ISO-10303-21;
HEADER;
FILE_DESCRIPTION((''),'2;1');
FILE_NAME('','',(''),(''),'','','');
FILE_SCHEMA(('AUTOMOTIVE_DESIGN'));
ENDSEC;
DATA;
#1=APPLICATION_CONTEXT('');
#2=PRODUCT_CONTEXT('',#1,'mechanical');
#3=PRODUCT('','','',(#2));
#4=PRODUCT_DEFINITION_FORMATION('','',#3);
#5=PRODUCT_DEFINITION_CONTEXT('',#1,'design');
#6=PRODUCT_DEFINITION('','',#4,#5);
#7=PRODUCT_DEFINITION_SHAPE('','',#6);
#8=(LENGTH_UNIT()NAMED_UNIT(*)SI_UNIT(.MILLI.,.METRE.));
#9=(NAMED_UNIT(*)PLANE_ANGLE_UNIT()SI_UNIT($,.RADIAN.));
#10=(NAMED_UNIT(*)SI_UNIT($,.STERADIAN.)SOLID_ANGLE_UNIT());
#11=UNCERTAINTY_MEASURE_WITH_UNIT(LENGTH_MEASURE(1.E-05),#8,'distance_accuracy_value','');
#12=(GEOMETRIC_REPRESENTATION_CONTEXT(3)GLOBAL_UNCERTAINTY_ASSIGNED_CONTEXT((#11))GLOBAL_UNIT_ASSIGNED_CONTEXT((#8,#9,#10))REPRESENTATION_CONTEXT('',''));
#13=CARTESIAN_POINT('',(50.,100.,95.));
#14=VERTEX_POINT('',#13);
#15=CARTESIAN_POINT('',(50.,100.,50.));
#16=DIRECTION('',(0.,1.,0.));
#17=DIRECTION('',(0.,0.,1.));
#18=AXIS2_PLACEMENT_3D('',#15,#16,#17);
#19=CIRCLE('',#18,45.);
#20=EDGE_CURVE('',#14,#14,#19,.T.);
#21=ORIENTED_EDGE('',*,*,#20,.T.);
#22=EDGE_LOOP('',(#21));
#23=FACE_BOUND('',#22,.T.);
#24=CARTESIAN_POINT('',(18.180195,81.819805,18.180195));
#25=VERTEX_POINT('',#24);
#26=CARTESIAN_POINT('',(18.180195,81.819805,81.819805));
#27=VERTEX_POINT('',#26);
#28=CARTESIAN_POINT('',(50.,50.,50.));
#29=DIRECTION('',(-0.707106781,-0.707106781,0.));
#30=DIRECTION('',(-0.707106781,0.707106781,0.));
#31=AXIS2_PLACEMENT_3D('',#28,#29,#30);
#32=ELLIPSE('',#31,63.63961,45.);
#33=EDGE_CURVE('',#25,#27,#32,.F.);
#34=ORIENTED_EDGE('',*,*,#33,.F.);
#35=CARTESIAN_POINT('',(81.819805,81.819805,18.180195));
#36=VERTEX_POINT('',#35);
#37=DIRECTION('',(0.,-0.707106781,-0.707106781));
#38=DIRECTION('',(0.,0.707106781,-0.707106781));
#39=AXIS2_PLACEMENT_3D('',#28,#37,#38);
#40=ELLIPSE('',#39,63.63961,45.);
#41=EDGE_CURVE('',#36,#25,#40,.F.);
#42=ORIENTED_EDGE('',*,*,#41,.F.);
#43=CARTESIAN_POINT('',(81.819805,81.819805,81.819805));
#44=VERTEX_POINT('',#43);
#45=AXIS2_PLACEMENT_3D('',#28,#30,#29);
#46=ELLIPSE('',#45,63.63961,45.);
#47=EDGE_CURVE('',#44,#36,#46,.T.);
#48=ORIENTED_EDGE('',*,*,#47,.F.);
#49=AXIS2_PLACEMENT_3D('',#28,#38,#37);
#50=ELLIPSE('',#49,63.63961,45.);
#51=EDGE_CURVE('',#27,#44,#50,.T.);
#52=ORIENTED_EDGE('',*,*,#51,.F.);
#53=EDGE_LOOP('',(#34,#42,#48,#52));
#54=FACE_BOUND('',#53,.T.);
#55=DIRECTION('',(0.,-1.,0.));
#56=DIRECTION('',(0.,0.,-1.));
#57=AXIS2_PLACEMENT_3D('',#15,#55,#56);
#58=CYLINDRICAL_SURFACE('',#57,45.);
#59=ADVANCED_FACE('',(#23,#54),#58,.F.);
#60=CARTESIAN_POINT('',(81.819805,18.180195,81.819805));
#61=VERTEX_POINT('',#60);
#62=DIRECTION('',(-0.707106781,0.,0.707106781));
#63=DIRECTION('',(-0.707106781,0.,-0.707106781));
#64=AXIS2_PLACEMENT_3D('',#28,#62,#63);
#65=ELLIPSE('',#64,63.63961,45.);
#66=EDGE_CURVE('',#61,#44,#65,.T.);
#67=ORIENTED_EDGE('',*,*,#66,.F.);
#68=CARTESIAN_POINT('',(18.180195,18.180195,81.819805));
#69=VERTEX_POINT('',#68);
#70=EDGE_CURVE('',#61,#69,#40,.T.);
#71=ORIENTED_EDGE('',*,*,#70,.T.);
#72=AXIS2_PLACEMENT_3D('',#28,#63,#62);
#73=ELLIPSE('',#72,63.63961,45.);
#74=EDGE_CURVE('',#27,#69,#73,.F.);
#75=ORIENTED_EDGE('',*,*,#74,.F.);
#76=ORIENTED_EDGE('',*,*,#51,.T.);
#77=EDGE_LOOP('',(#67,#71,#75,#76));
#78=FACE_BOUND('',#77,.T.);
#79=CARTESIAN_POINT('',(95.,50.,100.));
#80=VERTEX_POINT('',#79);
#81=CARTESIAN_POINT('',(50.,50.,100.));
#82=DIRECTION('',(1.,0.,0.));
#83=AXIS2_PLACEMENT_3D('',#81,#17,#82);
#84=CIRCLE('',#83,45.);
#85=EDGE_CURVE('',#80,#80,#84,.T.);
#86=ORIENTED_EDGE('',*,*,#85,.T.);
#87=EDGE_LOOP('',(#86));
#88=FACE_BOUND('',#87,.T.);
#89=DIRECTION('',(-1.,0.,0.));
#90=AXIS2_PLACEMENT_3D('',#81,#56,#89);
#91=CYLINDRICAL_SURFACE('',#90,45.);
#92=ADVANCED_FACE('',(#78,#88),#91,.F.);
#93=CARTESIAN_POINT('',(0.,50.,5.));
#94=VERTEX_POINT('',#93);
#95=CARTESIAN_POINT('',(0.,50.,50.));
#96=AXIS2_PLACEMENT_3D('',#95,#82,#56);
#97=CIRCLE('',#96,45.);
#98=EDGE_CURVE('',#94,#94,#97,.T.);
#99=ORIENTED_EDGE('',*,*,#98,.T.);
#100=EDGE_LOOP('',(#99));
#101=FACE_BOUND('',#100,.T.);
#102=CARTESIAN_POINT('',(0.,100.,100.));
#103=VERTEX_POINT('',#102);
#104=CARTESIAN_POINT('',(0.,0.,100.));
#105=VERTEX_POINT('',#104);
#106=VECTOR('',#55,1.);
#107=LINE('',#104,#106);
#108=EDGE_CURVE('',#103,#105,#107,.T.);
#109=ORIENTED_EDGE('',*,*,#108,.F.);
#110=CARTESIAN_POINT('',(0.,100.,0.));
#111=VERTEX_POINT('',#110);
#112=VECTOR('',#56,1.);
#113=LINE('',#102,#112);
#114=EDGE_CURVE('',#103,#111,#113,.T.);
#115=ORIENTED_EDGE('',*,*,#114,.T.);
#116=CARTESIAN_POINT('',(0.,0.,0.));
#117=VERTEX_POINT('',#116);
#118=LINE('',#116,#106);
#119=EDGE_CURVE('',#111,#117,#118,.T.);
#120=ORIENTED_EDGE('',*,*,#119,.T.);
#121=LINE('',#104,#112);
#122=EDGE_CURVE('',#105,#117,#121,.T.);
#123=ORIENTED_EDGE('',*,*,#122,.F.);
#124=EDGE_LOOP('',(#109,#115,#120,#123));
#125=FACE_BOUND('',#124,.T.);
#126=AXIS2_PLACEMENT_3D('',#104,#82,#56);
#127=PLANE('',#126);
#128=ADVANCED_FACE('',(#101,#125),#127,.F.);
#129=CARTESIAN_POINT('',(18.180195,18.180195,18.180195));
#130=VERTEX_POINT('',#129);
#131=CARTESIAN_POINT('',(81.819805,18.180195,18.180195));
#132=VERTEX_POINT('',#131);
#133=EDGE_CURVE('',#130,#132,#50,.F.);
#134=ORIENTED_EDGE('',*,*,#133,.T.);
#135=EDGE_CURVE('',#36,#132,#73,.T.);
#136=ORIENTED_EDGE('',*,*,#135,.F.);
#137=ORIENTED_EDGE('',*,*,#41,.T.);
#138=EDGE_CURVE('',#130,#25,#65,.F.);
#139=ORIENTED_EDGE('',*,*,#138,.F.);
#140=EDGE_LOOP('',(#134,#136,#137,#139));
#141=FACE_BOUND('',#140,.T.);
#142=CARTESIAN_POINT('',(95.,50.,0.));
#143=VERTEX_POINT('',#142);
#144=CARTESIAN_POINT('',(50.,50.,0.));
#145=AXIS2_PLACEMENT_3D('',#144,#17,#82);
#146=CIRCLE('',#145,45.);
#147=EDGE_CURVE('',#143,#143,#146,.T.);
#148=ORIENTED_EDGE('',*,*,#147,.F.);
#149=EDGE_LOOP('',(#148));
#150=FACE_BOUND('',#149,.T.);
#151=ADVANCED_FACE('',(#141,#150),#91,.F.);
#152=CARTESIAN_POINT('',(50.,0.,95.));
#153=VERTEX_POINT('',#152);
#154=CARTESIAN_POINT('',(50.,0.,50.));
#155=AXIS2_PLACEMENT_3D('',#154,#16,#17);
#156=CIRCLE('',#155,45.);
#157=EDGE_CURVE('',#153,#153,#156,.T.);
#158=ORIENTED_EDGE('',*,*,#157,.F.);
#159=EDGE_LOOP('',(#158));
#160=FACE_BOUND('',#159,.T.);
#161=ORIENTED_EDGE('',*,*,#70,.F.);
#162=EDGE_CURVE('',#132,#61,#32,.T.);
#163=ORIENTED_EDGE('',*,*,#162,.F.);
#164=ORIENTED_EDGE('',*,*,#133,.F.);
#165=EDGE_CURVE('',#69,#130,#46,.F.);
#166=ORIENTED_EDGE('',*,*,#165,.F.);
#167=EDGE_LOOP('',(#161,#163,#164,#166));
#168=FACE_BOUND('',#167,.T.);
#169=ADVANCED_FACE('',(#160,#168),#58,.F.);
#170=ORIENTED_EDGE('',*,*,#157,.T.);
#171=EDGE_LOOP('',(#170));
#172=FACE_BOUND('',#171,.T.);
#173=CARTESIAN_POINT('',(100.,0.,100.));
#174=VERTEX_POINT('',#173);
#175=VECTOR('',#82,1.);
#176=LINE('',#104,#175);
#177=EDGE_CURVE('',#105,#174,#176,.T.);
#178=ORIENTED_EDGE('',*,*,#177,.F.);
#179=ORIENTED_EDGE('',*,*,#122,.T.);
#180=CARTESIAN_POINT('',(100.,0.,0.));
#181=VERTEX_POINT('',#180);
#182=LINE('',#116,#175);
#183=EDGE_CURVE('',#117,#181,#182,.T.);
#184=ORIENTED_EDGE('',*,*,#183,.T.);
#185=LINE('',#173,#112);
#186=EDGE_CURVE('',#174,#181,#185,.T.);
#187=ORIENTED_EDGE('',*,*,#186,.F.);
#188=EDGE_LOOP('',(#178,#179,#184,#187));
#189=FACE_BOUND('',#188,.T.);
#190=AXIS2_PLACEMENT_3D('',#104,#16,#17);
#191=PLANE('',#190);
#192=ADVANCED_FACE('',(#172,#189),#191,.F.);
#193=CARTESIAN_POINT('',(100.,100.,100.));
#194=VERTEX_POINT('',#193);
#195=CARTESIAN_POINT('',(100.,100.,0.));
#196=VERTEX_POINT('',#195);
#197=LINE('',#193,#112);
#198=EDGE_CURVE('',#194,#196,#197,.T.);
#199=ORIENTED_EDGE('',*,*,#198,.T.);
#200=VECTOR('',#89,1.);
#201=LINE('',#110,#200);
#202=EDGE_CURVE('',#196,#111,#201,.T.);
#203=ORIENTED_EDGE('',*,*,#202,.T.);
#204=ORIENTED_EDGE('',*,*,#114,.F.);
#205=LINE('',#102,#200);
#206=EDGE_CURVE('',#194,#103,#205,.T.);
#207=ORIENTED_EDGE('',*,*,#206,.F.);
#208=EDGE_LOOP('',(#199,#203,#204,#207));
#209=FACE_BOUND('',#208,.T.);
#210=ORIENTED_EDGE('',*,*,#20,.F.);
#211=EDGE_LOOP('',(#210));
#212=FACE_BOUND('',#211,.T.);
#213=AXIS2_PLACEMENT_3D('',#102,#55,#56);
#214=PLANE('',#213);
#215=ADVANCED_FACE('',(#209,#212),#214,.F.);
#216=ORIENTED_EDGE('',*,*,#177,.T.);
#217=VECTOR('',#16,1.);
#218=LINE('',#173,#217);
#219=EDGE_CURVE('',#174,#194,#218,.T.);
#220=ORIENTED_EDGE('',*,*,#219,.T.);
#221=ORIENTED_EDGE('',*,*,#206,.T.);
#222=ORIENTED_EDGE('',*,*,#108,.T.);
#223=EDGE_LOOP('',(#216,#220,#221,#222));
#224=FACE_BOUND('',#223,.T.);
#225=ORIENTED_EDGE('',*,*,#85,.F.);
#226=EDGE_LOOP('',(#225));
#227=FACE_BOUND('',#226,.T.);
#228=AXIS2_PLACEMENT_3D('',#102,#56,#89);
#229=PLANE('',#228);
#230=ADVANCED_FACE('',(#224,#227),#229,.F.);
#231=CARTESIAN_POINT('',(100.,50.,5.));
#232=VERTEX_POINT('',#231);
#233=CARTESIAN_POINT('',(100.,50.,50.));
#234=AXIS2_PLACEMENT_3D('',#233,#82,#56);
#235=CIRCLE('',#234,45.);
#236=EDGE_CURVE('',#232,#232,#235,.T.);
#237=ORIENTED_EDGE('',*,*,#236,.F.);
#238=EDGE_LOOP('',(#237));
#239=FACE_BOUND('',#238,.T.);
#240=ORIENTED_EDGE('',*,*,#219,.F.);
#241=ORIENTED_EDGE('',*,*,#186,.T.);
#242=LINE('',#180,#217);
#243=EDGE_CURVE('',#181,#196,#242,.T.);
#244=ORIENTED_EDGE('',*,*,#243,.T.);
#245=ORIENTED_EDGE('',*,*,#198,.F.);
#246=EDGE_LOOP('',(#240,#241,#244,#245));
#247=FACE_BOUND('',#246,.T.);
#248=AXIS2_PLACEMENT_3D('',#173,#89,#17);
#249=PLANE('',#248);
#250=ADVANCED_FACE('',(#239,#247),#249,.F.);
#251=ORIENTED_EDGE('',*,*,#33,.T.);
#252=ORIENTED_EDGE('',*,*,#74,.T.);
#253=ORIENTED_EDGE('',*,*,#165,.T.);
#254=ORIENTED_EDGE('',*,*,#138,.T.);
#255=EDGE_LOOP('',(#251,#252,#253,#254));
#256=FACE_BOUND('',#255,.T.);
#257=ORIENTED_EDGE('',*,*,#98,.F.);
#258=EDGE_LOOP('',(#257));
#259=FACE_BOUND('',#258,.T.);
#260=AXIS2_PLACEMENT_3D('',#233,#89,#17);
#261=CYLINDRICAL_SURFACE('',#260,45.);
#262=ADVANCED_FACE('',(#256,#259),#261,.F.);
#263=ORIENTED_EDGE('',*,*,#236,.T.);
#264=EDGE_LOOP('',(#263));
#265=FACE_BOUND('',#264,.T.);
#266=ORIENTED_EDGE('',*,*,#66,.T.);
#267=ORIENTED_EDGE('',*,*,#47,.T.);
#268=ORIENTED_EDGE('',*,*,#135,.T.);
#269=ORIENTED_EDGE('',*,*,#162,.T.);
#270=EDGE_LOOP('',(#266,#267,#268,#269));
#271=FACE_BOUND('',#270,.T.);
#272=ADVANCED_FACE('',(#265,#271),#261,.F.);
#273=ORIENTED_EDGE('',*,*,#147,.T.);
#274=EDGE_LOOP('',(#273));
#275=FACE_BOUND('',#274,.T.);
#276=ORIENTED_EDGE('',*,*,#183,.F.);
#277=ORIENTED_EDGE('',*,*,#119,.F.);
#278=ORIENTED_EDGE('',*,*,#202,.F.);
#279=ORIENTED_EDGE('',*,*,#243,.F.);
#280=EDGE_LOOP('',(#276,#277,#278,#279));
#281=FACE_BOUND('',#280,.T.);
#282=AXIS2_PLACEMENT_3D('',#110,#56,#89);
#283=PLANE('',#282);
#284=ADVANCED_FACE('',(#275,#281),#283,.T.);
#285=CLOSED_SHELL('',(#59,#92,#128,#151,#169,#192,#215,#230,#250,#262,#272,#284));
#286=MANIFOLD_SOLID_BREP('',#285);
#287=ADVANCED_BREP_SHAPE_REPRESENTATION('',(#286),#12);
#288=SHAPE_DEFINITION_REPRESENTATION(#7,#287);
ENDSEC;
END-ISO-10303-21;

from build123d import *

# Parameters (mm, degrees)
SKETCH1_W          = 100
SKETCH1_H          = 100
EXTRUDE1_DEPTH     = 100
SKETCH2_R          = 45
CUT_EXTRUDE1_DEPTH = 174.205080757
SKETCH4_R          = 45
CUT_EXTRUDE2_DEPTH = 174.205080757
SKETCH5_R          = 45
CUT_EXTRUDE3_DEPTH = 174.205080757


with BuildPart() as part:
    # Sketch1 → Extrude1 (new body)
    with BuildSketch(Plane.XY):
        with Locations((50, 50)):
            Rectangle(SKETCH1_W, SKETCH1_H)
    extrude(amount=EXTRUDE1_DEPTH)

    # Sketch2 → Cut-Extrude1 (cut, through all)
    with BuildSketch(Plane(origin=(0, 0, 0), x_dir=(0, 0, -1), z_dir=(1, 0, 0))):
        with Locations((-50, 50)):
            Circle(SKETCH2_R)
    extrude(amount=CUT_EXTRUDE1_DEPTH, mode=Mode.SUBTRACT)

    # Sketch4 → Cut-Extrude2 (cut, through all)
    with BuildSketch(Plane(origin=(100, 0, 0), x_dir=(1, 0, 0), z_dir=(0, 0, 1))):
        with Locations(Location((-50, 50, 0), (0, 0, 270))):
            Circle(SKETCH4_R)
    extrude(amount=CUT_EXTRUDE2_DEPTH, mode=Mode.SUBTRACT)

    # Sketch5 → Cut-Extrude3 (cut, through all)
    with BuildSketch(Plane(origin=(100, 0, 0), x_dir=(0, 0, -1), z_dir=(0, 1, 0))):
        with Locations(Location((-50, 50, 0), (0, 0, 45))):
            Circle(SKETCH5_R)
    extrude(amount=CUT_EXTRUDE3_DEPTH, mode=Mode.SUBTRACT)


solid = part.part
